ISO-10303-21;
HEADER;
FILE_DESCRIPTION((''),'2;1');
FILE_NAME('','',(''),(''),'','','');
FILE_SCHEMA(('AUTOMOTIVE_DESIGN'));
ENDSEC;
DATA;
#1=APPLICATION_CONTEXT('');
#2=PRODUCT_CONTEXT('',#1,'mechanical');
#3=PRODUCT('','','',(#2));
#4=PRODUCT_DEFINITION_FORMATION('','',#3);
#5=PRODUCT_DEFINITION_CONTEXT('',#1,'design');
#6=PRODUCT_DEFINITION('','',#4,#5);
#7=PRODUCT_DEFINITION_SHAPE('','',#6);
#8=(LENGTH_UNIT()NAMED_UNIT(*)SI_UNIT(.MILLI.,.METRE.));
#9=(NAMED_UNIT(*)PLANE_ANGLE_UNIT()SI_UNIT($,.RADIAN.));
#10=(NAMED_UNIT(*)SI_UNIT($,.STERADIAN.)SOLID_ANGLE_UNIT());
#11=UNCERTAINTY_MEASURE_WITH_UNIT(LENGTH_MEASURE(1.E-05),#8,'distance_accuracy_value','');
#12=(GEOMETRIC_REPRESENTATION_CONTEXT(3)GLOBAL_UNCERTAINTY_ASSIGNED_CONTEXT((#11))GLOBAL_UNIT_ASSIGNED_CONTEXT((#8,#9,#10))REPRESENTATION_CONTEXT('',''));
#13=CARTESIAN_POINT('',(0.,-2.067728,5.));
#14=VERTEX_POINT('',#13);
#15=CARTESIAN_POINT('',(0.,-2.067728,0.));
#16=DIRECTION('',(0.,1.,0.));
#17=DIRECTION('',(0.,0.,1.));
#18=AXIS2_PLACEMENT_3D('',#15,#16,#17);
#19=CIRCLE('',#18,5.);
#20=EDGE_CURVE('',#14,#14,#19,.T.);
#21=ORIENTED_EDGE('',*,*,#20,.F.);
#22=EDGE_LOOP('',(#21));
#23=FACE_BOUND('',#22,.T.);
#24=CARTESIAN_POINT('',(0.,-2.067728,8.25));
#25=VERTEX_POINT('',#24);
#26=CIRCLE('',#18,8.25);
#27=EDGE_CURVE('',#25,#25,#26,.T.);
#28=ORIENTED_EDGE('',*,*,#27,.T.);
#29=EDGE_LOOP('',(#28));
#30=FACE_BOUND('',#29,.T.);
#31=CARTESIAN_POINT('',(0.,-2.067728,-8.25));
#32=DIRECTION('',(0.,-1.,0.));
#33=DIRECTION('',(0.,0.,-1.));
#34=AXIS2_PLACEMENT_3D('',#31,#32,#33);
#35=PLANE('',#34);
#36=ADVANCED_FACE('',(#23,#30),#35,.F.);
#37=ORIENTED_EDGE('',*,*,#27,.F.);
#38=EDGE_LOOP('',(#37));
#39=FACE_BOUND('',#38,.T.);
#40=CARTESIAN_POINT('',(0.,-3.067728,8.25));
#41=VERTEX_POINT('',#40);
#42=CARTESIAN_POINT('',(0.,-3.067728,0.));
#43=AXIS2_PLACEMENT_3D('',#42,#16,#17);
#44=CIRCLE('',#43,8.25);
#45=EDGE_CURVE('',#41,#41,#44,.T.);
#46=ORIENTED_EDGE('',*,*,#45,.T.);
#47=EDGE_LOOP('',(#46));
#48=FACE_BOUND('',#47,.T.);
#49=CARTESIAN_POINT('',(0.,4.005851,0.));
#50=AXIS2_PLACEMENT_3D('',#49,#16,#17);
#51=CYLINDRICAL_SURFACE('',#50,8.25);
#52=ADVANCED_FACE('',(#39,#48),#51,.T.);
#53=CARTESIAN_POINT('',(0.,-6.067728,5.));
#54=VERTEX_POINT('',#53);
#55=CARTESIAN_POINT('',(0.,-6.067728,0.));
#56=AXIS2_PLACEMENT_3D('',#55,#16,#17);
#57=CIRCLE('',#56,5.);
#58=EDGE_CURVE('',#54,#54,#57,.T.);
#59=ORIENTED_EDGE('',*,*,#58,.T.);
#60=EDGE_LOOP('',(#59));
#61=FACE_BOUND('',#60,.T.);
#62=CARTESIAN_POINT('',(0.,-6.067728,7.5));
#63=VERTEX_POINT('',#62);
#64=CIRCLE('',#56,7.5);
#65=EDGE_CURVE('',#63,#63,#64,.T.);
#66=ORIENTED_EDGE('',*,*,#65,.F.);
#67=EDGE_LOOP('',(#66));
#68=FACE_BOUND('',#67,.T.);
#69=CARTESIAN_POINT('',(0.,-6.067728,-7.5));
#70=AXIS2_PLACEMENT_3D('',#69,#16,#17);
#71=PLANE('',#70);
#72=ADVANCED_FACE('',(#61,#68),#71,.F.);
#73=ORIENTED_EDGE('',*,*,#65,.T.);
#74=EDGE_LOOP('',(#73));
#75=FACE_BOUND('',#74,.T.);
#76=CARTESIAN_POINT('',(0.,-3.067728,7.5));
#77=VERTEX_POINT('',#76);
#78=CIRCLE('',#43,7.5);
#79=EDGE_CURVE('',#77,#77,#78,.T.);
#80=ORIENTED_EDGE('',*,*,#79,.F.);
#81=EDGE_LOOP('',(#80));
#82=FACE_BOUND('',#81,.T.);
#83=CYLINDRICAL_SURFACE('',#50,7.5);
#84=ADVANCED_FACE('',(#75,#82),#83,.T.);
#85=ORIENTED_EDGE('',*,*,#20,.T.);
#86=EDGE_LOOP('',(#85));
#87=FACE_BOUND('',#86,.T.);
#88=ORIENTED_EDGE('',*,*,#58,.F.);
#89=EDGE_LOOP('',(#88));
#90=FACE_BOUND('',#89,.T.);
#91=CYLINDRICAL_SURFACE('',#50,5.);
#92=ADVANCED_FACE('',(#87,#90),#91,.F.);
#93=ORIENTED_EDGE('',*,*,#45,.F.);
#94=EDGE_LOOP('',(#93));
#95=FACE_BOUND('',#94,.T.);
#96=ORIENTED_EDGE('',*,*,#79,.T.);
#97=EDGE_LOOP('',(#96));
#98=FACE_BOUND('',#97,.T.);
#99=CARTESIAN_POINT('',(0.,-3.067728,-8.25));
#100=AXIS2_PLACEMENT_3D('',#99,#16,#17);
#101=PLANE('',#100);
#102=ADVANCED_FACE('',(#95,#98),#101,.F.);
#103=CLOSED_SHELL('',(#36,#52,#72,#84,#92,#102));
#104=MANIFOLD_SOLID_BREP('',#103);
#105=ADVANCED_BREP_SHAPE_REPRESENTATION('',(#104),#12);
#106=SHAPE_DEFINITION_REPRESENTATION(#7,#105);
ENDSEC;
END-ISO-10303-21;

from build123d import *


with BuildPart() as part:
    # Sketch1 → Revolve1 (revolve)
    with BuildSketch(Plane(origin=(0, 0, 0), x_dir=(0, 0, -1), z_dir=(1, 0, 0)), mode=Mode.PRIVATE) as revolve1_sk:
        Polygon((8.25, -2.067727847), (8.25, -3.067727847), (7.5, -3.067727847), (7.5, -6.067727847), (5, -6.067727847), (5, -2.067727847), align=None)
    revolve(revolve1_sk.sketch.rotate(Axis((0, 4.005851113, 0), (0, -1, 0)), 180), axis=Axis((0, 4.005851113, 0), (0, -1, 0)))


solid = part.part
